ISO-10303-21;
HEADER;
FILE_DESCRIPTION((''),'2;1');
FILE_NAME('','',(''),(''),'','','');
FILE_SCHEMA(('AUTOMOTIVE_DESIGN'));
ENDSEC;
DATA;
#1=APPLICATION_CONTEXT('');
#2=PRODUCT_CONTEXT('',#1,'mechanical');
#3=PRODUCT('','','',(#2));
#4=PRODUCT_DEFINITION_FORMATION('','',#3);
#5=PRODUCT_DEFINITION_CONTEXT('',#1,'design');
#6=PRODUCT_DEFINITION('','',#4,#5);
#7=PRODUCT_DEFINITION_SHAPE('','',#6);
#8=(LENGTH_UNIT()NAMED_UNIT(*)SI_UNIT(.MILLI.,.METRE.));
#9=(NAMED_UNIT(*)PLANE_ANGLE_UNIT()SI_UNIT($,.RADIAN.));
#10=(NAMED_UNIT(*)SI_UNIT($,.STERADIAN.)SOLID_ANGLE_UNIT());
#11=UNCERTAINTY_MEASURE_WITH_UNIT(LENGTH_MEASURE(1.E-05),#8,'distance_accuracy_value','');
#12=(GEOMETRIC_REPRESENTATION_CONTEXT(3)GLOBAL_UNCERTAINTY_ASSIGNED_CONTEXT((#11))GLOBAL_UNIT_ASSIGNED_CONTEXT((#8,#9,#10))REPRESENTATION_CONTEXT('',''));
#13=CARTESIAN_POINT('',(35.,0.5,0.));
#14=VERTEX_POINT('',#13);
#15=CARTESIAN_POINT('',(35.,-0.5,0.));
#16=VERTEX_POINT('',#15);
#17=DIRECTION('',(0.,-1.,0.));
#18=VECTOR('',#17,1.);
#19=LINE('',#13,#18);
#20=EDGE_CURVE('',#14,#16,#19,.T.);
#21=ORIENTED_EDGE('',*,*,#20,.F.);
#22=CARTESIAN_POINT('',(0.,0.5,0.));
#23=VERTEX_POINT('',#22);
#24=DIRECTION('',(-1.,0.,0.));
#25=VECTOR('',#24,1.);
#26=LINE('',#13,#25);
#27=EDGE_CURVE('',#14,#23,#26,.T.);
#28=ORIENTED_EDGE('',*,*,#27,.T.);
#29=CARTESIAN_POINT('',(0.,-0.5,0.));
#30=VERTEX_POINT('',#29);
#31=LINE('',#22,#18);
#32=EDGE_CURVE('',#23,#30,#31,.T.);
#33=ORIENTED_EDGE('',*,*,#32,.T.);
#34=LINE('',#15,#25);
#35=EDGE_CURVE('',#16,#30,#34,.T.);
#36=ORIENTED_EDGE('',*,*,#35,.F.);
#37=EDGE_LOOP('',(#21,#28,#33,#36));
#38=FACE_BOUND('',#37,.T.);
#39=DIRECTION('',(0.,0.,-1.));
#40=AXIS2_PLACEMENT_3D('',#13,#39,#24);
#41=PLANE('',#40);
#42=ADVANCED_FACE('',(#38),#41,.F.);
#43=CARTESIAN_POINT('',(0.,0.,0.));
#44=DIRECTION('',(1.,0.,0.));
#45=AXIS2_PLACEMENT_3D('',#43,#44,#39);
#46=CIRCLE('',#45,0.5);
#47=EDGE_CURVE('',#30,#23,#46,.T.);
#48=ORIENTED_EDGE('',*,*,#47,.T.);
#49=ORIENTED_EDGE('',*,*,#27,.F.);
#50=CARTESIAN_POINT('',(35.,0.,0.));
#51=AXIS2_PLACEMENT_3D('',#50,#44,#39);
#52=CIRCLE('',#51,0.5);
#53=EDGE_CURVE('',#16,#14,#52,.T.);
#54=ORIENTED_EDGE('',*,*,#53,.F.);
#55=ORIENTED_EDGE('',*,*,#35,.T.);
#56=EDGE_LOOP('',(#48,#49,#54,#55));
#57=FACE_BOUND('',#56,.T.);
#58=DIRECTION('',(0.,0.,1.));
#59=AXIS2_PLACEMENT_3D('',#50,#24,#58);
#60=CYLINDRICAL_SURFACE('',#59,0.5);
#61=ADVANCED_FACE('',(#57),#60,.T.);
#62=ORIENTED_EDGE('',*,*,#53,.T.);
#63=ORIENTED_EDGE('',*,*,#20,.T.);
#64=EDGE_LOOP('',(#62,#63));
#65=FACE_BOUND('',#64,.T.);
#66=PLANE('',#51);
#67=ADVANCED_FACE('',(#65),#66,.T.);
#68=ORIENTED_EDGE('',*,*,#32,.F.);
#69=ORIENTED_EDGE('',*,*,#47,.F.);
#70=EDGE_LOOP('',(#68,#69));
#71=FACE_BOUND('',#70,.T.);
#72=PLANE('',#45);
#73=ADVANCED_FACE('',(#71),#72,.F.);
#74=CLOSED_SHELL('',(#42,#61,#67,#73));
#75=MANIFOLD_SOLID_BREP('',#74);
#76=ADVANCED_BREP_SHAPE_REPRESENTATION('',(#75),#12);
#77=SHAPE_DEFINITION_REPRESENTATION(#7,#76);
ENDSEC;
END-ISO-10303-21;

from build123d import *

# Parameters (mm, degrees)
BOSS_EXTRUDE1_DEPTH = 35


with BuildPart() as part:
    # Sketch1 → Boss-Extrude1 (new body)
    with BuildSketch(Plane(origin=(0, 0, 0), x_dir=(0, 0, -1), z_dir=(1, 0, 0))):
        with BuildLine():
            Line((0, 0.5), (0, -0.5))
            ThreePointArc((0, -0.5), (0.5, 0), (0, 0.5))
        make_face()
    extrude(amount=BOSS_EXTRUDE1_DEPTH)


solid = part.part
